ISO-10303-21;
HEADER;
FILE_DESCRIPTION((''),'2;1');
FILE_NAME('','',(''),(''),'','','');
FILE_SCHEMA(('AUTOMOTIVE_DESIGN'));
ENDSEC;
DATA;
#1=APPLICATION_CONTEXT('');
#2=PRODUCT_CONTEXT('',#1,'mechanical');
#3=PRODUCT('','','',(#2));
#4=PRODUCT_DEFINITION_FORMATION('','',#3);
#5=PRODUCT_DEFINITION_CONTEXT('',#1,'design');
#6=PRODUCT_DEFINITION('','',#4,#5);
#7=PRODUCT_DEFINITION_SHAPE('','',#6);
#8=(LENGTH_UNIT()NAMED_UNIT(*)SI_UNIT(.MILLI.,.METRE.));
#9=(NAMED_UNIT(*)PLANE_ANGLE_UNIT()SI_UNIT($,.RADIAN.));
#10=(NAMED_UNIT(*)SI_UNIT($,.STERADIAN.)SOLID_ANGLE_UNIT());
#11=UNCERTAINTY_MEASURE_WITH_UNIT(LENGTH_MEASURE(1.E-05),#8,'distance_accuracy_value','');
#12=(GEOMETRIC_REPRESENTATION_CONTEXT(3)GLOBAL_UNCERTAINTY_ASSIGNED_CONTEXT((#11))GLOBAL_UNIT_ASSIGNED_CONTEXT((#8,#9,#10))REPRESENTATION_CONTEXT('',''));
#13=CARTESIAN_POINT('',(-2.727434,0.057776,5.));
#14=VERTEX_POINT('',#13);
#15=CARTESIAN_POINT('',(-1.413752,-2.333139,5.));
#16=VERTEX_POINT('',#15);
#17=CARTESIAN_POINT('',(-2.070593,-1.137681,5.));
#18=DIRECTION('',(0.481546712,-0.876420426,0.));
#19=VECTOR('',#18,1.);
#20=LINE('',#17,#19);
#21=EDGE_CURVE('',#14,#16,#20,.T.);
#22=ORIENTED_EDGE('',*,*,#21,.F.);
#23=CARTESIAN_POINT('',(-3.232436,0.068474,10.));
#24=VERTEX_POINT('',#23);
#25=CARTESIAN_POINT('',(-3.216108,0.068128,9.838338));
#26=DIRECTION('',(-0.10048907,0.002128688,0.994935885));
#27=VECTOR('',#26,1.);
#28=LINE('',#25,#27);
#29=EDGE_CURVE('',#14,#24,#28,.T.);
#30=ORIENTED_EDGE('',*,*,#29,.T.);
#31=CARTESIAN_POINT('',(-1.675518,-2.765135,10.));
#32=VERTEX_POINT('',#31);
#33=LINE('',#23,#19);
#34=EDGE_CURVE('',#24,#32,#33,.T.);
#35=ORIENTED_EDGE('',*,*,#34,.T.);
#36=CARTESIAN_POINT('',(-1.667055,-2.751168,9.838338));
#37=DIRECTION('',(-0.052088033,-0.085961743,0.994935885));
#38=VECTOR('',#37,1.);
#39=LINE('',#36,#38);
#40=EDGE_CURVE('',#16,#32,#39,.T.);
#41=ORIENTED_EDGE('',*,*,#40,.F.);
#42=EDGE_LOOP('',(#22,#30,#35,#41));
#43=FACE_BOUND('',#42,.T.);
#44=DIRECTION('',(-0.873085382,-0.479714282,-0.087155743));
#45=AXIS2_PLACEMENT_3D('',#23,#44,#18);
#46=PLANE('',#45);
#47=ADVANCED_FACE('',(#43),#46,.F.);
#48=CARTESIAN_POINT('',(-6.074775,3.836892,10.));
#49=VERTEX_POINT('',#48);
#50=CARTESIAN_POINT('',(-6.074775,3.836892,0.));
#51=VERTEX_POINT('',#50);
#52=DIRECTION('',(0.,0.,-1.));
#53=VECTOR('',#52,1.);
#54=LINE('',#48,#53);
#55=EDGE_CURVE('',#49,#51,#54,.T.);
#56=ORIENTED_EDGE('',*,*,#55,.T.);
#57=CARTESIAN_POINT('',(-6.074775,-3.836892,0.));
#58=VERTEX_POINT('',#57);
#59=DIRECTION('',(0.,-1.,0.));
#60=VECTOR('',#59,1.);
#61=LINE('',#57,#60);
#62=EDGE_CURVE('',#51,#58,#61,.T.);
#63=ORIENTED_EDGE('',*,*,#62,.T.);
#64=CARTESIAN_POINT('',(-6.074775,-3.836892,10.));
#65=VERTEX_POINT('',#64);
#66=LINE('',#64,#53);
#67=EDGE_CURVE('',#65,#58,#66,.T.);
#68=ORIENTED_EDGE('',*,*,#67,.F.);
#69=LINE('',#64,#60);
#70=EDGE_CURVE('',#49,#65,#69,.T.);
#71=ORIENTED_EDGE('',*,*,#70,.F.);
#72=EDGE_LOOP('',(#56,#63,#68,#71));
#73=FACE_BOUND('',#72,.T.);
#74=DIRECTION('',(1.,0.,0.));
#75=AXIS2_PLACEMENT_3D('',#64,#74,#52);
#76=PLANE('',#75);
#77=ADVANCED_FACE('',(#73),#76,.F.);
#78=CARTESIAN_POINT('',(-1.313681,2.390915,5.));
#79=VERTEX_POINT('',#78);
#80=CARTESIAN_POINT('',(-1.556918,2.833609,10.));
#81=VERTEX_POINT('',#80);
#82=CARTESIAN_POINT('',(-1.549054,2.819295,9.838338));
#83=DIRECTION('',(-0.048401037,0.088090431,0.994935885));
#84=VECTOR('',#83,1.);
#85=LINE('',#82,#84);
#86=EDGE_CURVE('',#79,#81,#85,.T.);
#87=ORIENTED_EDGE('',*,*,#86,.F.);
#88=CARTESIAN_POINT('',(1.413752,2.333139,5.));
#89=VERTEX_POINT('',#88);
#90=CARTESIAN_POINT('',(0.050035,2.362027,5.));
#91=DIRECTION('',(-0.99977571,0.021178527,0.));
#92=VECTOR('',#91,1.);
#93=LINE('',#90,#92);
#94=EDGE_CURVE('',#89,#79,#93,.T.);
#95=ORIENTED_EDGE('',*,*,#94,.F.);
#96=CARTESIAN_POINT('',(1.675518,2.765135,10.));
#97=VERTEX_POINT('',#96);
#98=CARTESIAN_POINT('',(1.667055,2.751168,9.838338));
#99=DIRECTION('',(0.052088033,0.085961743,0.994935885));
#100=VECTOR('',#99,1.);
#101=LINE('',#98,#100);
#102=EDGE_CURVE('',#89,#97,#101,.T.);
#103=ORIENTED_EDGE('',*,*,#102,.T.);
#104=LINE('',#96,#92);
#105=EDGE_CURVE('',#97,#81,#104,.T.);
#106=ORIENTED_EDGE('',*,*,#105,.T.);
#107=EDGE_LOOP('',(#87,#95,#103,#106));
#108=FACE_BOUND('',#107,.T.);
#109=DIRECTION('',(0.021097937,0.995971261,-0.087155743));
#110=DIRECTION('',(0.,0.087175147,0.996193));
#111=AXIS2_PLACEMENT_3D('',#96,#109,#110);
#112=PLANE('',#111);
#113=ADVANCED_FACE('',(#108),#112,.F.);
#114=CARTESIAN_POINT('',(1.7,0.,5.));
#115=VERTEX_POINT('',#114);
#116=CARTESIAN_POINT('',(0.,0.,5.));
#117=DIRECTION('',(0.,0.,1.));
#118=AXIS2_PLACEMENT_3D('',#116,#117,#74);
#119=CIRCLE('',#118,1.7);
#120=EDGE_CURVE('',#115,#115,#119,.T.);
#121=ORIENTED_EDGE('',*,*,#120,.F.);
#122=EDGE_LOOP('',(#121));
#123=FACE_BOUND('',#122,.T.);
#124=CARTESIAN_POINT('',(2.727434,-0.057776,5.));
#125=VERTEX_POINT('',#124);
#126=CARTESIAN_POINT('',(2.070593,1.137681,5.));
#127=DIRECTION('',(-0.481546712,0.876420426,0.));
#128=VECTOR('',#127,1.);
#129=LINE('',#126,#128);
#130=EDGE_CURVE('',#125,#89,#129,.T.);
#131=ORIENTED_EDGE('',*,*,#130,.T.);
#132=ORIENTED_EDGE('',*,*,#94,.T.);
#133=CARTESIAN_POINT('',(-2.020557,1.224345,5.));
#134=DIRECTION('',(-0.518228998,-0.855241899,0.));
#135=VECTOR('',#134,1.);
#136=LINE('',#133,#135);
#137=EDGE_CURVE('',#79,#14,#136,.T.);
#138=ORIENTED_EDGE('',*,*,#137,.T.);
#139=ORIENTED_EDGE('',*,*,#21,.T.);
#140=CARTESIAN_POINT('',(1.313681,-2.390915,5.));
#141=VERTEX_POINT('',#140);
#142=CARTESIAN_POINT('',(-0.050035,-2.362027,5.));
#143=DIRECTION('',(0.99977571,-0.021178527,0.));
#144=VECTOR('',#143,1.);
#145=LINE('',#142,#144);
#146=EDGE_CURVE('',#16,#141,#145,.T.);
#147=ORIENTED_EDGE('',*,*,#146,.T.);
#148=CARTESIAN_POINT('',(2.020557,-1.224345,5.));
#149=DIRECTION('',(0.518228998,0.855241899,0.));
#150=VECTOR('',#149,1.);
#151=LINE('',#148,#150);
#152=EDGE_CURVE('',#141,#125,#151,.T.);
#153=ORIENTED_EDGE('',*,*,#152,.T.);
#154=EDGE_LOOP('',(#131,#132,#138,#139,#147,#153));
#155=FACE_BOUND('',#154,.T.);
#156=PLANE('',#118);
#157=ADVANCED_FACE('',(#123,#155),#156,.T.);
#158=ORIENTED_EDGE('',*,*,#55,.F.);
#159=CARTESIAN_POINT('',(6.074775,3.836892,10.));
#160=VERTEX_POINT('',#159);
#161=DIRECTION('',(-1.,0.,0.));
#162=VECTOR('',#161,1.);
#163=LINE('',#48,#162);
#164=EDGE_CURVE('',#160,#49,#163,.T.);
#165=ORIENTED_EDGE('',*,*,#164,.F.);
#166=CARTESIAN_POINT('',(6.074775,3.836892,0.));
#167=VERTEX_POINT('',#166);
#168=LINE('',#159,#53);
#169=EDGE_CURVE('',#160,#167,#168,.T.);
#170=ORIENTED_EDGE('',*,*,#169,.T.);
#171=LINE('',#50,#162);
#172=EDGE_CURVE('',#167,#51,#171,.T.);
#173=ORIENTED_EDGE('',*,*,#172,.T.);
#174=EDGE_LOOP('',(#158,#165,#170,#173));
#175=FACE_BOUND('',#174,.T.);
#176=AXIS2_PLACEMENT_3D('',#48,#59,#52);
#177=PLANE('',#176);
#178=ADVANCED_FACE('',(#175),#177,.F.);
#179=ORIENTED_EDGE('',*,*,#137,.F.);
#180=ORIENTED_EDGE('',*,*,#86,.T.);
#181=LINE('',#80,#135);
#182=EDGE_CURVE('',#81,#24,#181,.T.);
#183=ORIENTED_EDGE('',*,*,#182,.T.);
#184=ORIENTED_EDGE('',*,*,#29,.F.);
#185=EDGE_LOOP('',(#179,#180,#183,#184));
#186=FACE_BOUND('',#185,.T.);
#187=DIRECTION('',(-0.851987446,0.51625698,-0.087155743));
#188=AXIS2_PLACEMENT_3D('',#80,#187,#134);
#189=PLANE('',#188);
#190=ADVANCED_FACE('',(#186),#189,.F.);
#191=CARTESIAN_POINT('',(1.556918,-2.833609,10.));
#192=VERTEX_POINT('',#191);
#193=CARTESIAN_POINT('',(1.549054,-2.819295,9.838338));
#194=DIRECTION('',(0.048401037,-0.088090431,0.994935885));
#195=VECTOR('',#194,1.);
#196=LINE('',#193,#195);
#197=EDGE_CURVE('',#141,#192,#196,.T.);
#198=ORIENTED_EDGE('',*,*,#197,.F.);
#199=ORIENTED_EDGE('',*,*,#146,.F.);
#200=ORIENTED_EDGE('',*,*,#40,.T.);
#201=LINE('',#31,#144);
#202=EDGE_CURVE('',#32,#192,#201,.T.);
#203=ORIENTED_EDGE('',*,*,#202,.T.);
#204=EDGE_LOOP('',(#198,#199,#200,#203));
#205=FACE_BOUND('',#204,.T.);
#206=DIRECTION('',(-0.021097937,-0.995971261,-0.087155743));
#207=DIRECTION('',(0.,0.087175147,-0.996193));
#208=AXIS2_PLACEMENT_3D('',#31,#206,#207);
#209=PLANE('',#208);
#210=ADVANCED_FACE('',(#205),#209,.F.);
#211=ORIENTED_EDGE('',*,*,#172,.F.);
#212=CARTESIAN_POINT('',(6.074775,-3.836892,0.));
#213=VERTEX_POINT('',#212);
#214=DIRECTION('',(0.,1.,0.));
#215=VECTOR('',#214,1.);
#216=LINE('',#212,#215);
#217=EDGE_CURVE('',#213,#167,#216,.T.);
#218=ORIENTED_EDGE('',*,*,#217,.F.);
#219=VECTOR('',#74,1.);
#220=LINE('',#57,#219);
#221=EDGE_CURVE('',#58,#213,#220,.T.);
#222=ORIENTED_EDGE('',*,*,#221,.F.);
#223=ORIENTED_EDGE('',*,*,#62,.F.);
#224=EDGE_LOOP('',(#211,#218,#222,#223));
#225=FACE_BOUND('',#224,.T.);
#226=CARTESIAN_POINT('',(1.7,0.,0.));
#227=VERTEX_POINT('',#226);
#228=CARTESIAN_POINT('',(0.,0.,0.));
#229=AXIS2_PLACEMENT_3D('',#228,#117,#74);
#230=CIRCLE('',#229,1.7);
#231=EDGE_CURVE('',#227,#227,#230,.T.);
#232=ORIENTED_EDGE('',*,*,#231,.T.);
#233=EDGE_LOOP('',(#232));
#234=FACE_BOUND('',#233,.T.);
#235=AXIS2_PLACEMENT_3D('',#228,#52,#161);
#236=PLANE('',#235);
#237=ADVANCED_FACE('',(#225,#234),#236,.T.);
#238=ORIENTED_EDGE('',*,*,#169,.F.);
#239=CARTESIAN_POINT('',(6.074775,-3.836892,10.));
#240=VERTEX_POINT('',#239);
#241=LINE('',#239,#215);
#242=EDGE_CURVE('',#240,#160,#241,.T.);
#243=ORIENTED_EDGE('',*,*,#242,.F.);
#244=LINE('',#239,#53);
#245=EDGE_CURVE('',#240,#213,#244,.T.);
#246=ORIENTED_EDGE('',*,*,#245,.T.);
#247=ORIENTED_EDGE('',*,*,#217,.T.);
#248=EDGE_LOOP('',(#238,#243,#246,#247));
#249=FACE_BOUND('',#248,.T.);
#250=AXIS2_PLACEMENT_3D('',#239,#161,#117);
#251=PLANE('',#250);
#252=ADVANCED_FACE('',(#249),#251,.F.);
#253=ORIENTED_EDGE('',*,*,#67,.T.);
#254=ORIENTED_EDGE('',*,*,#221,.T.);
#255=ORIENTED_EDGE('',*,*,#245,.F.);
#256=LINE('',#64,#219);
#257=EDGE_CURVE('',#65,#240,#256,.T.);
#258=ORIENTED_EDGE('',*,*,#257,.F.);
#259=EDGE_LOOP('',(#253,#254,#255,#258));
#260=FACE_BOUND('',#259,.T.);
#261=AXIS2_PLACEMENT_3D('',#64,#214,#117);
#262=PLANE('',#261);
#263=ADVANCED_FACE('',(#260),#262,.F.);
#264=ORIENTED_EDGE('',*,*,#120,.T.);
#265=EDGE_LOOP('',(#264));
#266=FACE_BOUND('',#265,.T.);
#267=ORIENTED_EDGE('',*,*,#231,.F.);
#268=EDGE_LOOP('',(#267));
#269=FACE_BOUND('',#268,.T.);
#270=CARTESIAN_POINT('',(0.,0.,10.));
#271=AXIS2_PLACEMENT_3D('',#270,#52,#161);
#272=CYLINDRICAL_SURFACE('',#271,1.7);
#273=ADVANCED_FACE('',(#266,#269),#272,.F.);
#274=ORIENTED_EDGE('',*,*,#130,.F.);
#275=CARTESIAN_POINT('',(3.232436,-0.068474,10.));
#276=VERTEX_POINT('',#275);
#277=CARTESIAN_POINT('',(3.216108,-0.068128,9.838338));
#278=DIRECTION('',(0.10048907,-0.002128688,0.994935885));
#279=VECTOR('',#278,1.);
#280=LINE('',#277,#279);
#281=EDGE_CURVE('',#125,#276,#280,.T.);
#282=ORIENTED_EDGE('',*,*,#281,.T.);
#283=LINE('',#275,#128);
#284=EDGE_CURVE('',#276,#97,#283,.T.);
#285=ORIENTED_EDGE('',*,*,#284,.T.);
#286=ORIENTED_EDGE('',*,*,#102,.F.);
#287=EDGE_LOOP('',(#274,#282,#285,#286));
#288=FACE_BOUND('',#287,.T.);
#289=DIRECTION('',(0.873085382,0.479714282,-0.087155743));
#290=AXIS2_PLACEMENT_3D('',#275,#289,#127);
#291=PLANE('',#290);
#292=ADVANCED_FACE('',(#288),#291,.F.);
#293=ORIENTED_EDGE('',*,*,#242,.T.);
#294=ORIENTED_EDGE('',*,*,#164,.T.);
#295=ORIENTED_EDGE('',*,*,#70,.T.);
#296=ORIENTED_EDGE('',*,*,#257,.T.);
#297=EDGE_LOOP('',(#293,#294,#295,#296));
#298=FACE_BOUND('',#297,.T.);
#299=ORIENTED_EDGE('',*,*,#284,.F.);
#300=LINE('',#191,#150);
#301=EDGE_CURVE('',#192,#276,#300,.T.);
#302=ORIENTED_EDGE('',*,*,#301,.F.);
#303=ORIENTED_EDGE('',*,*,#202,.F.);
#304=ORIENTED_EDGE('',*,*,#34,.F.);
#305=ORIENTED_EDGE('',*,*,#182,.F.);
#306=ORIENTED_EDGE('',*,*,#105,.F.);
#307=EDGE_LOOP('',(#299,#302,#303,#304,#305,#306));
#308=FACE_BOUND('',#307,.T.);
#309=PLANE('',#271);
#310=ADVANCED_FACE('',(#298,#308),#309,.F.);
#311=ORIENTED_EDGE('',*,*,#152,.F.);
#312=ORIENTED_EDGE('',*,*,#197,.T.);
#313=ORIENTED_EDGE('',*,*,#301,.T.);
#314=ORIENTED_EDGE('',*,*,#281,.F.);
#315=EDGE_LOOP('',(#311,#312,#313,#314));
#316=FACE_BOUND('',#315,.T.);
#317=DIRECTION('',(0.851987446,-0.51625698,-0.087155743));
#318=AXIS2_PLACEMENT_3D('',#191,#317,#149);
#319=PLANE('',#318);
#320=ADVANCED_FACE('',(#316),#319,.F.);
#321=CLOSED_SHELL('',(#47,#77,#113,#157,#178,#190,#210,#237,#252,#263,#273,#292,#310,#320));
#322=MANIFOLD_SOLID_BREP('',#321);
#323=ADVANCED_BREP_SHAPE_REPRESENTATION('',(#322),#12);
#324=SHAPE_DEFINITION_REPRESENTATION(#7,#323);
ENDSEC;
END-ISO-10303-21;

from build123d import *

# Parameters (mm, degrees)
ESQUISSE1_W             = 12.149550462
ESQUISSE1_H             = 7.67378493
ESQUISSE1_R             = 1.7
BOSS_EXTRU_1_DEPTH      = 10
ENL_V_MAT_EXTRU_1_DEPTH = 5
ENL_V_MAT_EXTRU_1_TAPER = 5


with BuildPart() as part:
    # Esquisse1 → Boss.-Extru.1 (new body)
    with BuildSketch(Plane.XY):
        Rectangle(ESQUISSE1_W, ESQUISSE1_H)
        Circle(ESQUISSE1_R, mode=Mode.SUBTRACT)
    extrude(amount=BOSS_EXTRU_1_DEPTH)

    # Esquisse2 → Enlèv. mat.-Extru.1 (cut)
    with BuildSketch(Plane.XY.offset(10)):
        Polygon((1.675518047, 2.765135188), (-1.556918294, 2.833608787), (-3.232436341, 0.068473599), (-1.675518047, -2.765135188), (1.556918294, -2.833608787), (3.232436341, -0.068473599), align=None)
    extrude(amount=-ENL_V_MAT_EXTRU_1_DEPTH, taper=ENL_V_MAT_EXTRU_1_TAPER, mode=Mode.SUBTRACT)


solid = part.part
